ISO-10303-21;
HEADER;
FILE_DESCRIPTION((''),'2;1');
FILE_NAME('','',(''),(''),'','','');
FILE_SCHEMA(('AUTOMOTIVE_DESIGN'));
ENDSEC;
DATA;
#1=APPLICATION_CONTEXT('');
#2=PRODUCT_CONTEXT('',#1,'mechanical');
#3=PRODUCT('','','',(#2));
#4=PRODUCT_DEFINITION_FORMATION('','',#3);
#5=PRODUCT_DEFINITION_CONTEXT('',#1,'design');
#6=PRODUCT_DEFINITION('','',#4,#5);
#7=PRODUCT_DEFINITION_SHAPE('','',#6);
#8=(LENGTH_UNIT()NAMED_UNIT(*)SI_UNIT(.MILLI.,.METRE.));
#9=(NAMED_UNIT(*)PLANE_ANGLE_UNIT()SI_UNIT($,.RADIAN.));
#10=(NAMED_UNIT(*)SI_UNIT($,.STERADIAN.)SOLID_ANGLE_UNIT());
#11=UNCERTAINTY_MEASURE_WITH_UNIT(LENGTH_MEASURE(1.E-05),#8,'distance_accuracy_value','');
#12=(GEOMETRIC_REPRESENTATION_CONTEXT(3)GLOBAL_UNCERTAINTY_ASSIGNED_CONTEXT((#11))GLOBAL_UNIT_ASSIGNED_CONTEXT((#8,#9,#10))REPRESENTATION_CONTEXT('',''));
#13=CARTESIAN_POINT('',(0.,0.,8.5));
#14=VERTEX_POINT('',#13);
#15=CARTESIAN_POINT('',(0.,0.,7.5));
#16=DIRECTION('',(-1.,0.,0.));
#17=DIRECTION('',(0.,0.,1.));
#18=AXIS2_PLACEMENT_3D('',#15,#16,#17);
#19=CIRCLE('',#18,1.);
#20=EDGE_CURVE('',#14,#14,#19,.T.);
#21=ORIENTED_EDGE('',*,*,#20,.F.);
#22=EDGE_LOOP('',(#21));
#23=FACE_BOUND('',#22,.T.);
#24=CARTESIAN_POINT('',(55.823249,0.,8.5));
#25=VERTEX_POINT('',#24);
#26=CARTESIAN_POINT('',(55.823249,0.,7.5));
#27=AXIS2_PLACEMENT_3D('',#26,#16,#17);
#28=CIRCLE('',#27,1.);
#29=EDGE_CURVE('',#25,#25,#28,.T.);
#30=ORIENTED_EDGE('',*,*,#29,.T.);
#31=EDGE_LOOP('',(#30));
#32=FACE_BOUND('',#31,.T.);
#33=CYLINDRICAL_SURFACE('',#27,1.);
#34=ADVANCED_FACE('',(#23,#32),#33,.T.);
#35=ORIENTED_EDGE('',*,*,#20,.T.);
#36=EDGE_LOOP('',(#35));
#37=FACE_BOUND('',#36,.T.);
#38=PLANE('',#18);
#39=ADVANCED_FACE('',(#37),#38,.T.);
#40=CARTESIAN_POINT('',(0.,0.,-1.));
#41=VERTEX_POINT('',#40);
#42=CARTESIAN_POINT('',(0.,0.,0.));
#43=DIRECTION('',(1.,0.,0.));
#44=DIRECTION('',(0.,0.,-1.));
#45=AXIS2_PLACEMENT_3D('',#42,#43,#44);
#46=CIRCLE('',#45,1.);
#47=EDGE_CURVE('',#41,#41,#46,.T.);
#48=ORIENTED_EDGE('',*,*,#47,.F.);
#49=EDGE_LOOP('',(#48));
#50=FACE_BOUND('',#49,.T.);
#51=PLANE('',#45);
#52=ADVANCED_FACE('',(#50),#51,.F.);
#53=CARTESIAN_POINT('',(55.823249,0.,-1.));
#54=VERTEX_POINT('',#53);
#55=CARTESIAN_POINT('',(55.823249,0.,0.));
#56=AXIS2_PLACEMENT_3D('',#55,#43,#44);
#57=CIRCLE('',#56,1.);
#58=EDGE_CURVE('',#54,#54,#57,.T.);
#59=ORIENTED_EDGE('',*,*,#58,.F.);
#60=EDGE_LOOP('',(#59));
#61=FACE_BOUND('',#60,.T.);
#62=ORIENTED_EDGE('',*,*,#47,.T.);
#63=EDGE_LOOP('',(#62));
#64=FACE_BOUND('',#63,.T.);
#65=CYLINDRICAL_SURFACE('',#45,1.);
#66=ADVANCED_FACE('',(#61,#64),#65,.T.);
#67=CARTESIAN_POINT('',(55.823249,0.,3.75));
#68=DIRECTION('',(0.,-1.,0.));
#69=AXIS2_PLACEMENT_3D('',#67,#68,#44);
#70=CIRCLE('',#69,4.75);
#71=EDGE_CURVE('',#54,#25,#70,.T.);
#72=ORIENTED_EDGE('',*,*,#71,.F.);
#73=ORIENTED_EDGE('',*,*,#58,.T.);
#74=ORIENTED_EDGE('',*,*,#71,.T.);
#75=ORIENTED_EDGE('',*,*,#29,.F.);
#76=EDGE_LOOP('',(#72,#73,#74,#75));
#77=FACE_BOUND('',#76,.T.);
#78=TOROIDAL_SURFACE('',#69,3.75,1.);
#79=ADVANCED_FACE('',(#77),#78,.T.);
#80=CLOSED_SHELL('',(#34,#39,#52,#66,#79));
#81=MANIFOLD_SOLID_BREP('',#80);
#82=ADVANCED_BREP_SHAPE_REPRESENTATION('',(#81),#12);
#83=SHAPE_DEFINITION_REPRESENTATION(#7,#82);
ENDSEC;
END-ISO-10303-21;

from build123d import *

# Parameters (mm, degrees)
SKETCH_2_R = 1


with BuildPart() as part:
    # По траектории1: sweep along a path in Эскиз1
    with BuildLine(Plane(origin=(0, 0, 0), x_dir=(1, 0, 0), z_dir=(0, 1, 0))) as sweep_1_path:
        Line((0, -7.5), (55.82324902, -7.5))
        ThreePointArc((55.82324902, -7.5), (59.57324902, -3.75), (55.82324902, 0))
        Line((55.82324902, 0), (0, 0))
    # Эскиз2 → По траектории1 (sweep)
    with BuildSketch(Plane(origin=(0, 0, 0), x_dir=(0, 0, -1), z_dir=(1, 0, 0))):
        Circle(SKETCH_2_R)
    sweep(path=sweep_1_path.line)


solid = part.part
